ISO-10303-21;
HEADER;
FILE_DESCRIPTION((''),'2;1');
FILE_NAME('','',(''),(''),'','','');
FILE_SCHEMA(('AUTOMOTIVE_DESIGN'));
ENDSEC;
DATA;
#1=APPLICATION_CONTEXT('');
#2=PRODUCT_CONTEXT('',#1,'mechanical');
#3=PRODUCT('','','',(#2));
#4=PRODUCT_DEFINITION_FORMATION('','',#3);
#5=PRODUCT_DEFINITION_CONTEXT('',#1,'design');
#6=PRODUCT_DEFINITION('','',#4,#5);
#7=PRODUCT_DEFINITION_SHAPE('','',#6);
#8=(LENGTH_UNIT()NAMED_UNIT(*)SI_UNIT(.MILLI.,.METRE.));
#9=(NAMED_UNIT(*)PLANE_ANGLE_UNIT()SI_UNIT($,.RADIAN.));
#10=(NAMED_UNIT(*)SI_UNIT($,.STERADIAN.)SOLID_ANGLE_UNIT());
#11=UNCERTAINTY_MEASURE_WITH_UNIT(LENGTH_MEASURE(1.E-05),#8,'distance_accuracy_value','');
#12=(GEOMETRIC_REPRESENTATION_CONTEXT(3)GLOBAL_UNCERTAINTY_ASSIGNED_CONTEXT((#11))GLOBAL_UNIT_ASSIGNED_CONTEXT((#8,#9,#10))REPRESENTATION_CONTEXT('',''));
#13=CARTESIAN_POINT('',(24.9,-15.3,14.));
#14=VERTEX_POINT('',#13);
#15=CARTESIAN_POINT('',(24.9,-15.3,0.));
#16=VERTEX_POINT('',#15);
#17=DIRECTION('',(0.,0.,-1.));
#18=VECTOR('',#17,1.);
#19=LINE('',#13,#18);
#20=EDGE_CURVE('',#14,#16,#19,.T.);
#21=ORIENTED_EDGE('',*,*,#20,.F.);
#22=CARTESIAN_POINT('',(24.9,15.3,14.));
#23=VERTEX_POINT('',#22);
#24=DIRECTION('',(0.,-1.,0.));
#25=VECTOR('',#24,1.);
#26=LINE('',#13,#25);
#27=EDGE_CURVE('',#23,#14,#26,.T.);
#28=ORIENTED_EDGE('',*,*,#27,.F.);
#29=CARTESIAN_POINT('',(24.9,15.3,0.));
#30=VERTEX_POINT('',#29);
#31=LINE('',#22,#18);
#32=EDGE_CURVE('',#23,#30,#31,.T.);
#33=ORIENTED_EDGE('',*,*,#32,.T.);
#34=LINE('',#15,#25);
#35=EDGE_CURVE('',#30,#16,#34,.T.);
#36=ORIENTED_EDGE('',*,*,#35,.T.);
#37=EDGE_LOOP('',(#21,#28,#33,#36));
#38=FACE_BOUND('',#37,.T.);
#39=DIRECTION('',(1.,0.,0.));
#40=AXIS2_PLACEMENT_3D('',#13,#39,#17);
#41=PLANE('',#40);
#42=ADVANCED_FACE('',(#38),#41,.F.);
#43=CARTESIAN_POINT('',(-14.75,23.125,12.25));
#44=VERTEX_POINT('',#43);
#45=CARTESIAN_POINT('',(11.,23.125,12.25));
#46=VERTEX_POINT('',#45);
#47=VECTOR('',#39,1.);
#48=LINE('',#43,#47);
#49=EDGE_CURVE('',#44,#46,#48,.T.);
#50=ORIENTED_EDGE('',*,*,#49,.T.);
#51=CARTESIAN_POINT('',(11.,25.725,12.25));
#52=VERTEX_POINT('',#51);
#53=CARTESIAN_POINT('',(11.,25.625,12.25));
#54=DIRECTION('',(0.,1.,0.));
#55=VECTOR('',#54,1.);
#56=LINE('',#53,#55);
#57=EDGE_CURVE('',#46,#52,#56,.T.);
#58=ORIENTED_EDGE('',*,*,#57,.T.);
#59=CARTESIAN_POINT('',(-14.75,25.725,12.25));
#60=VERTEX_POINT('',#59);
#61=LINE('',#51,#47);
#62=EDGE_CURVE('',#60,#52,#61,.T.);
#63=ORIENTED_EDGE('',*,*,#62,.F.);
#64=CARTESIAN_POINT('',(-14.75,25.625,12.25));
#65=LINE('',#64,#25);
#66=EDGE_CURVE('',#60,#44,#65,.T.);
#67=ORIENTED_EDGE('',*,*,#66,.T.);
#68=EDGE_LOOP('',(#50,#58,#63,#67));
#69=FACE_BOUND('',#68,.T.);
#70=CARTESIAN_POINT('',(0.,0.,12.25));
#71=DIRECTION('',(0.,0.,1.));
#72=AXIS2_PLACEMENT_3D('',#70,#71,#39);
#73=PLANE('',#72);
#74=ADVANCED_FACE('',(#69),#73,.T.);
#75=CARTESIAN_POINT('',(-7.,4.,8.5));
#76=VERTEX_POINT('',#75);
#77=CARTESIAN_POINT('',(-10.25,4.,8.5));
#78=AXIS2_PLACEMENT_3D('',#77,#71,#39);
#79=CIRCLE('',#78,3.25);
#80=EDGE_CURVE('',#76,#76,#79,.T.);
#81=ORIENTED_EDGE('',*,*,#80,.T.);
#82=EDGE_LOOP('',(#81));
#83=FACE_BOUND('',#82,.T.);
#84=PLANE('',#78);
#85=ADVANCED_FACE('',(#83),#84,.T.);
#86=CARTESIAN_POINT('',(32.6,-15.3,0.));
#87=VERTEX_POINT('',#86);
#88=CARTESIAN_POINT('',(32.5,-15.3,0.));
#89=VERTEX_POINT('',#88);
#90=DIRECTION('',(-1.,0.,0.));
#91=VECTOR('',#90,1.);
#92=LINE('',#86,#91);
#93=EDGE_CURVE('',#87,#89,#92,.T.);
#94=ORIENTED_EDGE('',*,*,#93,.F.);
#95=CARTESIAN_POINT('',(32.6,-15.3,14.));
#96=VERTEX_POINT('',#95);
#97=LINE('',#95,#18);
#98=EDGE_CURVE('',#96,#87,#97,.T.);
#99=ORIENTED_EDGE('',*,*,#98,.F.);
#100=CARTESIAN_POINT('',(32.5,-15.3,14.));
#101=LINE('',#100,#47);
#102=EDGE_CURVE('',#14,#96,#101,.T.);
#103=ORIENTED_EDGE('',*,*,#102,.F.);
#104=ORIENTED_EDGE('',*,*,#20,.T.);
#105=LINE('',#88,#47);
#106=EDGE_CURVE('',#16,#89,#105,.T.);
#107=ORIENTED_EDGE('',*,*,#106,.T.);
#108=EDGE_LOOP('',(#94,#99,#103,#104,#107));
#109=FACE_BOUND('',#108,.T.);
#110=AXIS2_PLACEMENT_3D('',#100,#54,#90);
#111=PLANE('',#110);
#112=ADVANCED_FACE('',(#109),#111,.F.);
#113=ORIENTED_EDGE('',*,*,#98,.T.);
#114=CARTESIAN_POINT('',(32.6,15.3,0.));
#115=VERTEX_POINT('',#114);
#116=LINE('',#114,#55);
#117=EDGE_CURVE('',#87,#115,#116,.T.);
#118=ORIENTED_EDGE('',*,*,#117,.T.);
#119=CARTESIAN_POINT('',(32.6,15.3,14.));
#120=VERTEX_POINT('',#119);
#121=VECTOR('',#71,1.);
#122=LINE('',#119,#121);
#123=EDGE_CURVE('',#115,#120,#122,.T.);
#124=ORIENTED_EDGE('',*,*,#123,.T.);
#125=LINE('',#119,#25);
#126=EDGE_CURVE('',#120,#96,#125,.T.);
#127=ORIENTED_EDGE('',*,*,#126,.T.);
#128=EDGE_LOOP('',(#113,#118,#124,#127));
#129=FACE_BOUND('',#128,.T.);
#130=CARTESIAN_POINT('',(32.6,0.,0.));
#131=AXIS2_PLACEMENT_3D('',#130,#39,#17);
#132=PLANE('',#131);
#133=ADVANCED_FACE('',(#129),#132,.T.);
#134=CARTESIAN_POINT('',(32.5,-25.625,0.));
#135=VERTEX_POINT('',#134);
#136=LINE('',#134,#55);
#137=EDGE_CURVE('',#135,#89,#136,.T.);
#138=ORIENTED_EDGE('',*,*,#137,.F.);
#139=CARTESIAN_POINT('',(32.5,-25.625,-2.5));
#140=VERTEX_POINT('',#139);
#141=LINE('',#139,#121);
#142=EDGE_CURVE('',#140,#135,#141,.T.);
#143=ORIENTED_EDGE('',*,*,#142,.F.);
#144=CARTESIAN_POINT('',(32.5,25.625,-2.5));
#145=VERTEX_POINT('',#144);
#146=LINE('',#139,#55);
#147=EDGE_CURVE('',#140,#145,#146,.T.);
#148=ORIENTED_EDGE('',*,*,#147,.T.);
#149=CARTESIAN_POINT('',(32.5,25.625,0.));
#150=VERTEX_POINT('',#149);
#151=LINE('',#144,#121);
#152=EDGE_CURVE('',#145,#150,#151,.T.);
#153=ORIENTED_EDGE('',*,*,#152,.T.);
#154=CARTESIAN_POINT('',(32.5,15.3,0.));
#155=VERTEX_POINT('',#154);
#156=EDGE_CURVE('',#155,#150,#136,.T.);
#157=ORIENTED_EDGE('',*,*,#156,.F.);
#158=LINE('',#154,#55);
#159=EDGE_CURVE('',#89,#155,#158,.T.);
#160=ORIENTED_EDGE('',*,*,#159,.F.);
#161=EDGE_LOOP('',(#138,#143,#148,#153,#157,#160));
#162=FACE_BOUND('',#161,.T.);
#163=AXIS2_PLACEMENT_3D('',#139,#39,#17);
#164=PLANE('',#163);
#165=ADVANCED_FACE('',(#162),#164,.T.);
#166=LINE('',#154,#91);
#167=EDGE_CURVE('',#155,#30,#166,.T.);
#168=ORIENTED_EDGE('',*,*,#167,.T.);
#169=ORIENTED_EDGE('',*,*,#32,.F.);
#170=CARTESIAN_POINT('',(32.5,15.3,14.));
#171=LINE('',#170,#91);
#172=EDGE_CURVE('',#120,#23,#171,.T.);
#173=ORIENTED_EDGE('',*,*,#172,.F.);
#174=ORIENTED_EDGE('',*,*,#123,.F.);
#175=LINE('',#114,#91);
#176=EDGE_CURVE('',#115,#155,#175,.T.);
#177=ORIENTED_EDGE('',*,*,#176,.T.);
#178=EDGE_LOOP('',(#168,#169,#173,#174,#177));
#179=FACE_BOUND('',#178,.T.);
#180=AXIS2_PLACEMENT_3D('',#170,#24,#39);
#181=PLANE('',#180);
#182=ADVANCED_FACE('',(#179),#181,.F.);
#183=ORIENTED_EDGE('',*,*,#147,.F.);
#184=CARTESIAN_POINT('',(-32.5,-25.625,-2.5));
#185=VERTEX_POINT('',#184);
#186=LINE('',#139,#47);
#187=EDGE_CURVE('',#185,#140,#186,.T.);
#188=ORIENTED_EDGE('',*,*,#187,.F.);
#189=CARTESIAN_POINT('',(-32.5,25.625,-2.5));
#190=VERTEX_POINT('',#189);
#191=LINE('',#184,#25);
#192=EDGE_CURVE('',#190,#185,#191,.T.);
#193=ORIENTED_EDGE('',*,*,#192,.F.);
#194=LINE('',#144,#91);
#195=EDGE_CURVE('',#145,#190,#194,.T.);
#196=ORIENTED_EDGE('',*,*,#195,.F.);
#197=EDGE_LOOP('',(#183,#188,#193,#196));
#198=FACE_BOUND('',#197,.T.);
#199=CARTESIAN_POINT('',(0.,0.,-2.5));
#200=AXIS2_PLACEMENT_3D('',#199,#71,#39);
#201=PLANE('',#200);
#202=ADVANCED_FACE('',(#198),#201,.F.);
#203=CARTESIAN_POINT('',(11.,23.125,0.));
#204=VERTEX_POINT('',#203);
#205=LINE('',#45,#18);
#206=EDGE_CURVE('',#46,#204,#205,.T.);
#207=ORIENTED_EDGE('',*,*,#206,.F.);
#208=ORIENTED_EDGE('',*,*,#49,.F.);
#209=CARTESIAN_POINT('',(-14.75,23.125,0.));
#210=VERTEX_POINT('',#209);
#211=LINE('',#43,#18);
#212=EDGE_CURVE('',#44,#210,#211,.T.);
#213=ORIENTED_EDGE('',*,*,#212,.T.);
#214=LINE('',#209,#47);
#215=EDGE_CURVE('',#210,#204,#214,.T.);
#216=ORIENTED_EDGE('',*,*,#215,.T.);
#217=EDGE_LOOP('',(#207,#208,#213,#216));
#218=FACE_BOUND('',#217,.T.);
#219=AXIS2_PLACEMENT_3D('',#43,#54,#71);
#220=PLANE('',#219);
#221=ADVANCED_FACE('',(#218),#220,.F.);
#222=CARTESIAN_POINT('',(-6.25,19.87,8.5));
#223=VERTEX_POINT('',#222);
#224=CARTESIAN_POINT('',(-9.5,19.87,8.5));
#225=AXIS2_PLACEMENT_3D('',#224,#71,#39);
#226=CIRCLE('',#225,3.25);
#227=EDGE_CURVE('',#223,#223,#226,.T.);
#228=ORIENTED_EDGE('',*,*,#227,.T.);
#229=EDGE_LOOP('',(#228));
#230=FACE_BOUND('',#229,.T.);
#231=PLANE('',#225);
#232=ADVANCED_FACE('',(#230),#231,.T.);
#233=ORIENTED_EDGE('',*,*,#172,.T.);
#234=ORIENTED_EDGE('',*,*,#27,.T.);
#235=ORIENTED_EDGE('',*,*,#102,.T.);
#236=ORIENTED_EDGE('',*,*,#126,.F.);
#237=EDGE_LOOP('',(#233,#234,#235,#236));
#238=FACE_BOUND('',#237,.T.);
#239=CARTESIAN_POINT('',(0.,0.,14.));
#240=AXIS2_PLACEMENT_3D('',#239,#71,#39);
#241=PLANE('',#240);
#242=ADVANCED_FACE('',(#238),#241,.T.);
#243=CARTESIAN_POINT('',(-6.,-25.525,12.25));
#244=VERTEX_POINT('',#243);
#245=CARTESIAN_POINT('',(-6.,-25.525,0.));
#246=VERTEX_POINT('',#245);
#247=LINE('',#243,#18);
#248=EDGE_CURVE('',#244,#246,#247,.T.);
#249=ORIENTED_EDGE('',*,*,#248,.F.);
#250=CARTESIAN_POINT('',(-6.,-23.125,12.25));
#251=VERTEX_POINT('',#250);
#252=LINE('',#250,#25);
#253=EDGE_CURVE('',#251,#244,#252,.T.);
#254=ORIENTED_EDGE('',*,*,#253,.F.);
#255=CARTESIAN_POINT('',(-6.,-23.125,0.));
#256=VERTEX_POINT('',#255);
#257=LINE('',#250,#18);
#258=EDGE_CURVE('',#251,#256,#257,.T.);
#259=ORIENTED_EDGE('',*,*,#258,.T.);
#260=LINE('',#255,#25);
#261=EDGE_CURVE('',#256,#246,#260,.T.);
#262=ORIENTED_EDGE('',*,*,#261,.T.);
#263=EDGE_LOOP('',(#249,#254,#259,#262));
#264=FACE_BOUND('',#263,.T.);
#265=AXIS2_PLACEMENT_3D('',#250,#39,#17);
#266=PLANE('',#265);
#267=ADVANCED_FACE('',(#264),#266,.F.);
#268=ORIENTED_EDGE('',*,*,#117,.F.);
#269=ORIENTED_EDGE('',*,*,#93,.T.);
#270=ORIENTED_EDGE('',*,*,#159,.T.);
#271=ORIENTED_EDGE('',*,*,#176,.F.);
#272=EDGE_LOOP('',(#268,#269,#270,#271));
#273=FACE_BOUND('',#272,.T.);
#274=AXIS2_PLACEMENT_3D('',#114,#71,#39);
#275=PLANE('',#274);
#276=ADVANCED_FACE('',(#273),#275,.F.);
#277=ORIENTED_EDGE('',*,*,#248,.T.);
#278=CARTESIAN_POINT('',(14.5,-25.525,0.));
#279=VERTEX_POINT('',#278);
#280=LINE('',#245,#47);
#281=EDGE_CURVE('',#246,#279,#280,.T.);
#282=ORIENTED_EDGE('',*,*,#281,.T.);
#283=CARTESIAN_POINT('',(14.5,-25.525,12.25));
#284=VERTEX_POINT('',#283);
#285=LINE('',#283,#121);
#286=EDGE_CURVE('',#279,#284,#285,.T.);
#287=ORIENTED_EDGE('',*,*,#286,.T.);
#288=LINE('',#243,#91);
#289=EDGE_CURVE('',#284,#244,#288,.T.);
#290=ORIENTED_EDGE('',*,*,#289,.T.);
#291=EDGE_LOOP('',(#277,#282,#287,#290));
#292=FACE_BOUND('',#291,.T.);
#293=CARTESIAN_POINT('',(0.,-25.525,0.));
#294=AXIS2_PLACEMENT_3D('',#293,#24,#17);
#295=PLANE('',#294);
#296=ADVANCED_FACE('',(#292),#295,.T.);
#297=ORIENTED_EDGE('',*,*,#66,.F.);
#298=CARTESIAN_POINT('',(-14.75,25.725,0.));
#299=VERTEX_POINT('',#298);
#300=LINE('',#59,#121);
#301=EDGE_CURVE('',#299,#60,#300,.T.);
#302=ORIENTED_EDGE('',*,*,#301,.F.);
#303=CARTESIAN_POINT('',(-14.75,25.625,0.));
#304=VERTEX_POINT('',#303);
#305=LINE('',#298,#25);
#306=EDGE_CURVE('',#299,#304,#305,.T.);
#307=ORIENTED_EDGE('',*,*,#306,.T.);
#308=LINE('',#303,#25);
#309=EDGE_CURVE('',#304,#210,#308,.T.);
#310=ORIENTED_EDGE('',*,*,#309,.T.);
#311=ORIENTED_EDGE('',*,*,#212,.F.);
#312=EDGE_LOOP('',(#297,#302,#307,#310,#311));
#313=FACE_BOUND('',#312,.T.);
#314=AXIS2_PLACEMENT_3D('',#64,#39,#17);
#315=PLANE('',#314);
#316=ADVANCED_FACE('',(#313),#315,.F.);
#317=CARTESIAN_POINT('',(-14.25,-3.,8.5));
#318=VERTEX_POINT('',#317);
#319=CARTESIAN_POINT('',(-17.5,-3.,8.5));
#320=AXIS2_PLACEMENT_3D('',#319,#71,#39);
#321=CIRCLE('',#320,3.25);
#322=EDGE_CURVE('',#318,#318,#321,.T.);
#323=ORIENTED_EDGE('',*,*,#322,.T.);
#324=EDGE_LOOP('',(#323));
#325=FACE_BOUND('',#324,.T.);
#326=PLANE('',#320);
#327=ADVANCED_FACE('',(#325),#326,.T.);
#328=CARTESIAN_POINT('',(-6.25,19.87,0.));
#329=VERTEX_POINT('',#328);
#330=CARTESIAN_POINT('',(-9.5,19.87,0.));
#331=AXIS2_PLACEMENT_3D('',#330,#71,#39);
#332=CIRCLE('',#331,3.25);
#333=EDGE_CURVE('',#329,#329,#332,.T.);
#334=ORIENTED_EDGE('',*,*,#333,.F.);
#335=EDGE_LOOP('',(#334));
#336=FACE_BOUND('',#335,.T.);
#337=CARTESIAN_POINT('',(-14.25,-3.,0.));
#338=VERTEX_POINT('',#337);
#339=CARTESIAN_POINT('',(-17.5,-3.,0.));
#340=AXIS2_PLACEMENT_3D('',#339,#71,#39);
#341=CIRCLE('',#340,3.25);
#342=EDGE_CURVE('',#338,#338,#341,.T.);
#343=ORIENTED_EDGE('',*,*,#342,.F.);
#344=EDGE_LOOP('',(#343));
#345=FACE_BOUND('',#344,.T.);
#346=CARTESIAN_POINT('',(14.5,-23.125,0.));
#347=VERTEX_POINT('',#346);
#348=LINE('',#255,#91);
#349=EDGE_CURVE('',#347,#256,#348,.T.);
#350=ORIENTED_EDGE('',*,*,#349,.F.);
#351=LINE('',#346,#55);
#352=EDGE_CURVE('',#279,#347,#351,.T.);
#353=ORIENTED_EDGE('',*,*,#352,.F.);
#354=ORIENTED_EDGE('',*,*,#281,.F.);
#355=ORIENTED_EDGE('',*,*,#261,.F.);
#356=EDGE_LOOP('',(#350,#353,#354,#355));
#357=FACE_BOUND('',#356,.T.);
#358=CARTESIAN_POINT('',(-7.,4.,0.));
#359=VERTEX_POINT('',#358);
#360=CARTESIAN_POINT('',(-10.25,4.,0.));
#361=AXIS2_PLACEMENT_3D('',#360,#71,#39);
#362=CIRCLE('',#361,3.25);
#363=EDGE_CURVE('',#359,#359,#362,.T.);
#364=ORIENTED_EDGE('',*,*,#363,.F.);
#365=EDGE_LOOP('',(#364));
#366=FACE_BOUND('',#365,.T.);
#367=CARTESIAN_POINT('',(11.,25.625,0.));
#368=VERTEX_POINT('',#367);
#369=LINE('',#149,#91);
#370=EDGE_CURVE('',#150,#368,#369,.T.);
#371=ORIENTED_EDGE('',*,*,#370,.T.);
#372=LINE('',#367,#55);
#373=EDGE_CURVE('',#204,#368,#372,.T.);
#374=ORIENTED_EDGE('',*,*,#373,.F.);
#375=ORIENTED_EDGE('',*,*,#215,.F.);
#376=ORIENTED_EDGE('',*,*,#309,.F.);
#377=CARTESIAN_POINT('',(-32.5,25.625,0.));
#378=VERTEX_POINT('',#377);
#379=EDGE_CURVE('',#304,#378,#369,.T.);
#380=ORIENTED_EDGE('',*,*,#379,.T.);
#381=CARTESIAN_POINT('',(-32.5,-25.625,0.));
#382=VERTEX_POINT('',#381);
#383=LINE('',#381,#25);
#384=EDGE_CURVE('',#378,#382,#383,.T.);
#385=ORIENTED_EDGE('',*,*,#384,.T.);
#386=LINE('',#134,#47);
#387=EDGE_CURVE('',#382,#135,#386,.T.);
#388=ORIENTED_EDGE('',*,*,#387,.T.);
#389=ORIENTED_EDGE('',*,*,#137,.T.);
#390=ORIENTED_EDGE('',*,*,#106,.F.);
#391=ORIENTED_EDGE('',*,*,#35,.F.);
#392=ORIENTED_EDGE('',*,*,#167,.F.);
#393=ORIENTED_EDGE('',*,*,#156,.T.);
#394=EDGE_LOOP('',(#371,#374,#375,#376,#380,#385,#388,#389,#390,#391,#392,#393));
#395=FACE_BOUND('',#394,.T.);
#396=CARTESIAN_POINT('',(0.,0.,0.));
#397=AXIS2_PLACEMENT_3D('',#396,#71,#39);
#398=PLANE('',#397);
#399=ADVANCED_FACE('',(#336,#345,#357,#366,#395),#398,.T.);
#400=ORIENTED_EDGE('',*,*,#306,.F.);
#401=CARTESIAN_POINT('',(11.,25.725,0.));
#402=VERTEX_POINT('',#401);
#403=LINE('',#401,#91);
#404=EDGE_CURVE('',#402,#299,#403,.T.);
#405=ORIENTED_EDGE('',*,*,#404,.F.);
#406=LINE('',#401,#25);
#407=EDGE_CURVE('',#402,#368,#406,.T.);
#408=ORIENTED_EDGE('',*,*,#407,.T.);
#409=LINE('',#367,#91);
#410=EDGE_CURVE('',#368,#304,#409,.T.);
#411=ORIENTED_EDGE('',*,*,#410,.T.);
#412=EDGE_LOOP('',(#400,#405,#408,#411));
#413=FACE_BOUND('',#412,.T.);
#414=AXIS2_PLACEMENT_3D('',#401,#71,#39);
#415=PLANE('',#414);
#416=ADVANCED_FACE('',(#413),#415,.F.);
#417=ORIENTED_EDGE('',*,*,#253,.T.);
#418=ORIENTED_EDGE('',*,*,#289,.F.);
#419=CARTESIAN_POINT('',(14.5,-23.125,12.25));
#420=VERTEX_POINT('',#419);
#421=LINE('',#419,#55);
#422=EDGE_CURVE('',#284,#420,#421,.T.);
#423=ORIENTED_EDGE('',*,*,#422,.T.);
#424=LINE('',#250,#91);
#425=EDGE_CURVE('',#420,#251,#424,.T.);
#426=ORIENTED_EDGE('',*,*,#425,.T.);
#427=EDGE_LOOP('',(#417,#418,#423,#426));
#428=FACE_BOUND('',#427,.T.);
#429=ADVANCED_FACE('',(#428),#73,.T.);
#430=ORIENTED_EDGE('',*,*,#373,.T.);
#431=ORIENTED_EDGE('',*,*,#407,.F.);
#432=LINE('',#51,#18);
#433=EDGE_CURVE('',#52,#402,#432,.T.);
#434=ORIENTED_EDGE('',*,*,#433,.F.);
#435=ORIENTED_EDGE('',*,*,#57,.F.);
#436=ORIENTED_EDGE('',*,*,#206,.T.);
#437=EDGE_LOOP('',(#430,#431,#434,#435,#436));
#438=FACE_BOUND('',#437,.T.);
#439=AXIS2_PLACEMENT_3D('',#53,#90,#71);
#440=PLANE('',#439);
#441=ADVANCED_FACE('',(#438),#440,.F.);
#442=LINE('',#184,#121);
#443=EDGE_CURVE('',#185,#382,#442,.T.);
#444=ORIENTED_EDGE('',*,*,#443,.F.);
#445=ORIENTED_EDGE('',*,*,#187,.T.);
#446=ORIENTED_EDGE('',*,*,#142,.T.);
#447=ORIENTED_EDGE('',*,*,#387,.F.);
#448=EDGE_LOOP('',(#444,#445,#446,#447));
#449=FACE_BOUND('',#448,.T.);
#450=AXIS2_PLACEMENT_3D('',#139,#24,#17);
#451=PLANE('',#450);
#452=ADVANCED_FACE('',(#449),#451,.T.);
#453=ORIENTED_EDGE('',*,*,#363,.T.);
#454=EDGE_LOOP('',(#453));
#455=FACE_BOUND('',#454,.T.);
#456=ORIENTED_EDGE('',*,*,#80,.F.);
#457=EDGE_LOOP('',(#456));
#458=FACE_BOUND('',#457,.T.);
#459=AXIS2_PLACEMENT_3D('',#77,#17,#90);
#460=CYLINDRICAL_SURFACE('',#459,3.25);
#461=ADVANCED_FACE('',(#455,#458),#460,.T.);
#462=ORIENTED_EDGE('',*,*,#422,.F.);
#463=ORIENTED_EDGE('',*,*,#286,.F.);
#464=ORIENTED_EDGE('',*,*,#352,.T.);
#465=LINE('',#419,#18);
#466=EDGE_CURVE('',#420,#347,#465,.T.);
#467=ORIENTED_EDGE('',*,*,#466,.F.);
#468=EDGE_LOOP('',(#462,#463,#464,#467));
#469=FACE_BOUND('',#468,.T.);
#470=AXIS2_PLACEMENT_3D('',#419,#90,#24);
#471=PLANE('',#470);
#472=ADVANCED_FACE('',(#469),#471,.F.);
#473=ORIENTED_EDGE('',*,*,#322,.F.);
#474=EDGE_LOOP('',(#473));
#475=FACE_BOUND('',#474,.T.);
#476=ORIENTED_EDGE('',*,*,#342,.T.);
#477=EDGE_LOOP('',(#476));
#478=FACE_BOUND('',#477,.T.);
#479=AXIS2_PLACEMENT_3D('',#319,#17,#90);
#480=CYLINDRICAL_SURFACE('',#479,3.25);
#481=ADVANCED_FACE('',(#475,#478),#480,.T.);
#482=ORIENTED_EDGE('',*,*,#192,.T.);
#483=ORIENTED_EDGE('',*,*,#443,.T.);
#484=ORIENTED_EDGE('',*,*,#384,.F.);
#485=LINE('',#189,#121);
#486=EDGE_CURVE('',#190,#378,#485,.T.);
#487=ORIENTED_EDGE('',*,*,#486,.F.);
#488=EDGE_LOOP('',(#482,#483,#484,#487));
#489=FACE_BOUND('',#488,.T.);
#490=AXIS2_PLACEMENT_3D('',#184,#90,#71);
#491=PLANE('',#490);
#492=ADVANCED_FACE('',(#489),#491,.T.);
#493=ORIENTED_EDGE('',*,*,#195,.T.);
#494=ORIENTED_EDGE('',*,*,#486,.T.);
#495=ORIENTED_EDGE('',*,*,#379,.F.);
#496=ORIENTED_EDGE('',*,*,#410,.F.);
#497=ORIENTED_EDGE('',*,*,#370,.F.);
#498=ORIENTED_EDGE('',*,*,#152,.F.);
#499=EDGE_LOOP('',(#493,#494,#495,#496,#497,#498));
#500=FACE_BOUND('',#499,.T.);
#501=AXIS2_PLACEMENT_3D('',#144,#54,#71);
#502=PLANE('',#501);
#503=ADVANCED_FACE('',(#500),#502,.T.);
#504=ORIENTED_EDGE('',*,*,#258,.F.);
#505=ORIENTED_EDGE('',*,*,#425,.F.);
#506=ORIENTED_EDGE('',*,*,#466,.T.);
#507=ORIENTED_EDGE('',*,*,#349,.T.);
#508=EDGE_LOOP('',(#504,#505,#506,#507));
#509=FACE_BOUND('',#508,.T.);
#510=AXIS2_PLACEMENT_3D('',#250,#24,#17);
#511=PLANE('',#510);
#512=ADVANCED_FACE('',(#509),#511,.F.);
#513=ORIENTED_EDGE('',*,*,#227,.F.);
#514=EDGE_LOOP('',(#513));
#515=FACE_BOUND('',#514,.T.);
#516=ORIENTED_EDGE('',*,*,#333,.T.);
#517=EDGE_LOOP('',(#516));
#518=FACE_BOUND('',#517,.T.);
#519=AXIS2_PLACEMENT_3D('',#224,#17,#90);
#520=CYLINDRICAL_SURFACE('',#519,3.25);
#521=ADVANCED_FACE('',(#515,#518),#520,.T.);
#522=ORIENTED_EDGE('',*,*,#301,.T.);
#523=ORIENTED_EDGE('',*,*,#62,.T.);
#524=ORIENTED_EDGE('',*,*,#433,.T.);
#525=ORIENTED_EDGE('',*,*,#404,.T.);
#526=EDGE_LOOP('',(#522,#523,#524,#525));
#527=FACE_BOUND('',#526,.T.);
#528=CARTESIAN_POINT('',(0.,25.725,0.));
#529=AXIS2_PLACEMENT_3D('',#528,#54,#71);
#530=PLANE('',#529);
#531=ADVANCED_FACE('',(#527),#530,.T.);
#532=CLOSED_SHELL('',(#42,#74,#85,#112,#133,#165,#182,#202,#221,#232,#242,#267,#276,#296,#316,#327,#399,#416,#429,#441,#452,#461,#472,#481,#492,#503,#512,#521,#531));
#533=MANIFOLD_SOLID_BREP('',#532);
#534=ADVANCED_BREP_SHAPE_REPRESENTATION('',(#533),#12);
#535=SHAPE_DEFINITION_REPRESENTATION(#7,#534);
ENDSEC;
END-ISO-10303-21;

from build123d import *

# Parameters (mm, degrees)
SKETCH1_R            = 3.25
BOSS_EXTRUDE1_DEPTH  = 8.5
SKETCH3_W            = 65
SKETCH3_H            = 51.25
BOSS_EXTRUDE2_DEPTH  = 2.5
SKETCH4_W            = 7.6
SKETCH4_H            = 30.6
BOSS_EXTRUDE3_DEPTH  = 14
SKETCH5_R            = 3.25
BOSS_EXTRUDE4_DEPTH  = 8.5
SKETCH6_W            = 25.75
SKETCH6_H            = 2.5
BOSS_EXTRUDE5_DEPTH  = 12.25
SKETCH8_R            = 3.25
BOSS_EXTRUDE9_DEPTH  = 8.5
SKETCH9_W            = 20.5
SKETCH9_H            = 2.5
BOSS_EXTRUDE10_DEPTH = 12.25
SKETCH10_W           = 20.5
SKETCH10_H           = 12.25
CUT_EXTRUDE1_DEPTH   = 0.1
SKETCH12_W           = 25.75
SKETCH12_H           = 12.25
BOSS_EXTRUDE11_DEPTH = 0.1
SKETCH14_W           = 14
SKETCH14_H           = 30.6
BOSS_EXTRUDE12_DEPTH = 0.1


with BuildPart() as part:
    # Sketch1 → Boss-Extrude1 (new body)
    with BuildSketch(Plane.XY):
        with Locations((-17.5, -3)):
            Circle(SKETCH1_R)
    extrude(amount=BOSS_EXTRUDE1_DEPTH)

    # Sketch3 → Boss-Extrude2 (add)
    with BuildSketch(Plane.XY):
        Rectangle(SKETCH3_W, SKETCH3_H)
    extrude(amount=-BOSS_EXTRUDE2_DEPTH)

    # Sketch4 → Boss-Extrude3 (add)
    with BuildSketch(Plane.XY):
        with Locations((28.7, 0)):
            Rectangle(SKETCH4_W, SKETCH4_H)
    extrude(amount=BOSS_EXTRUDE3_DEPTH)

    # Sketch5 → Boss-Extrude4 (add)
    with BuildSketch(Plane.XY):
        with Locations((-10.25, 4)):
            Circle(SKETCH5_R)
    extrude(amount=BOSS_EXTRUDE4_DEPTH)

    # Sketch6 → Boss-Extrude5 (add)
    with BuildSketch(Plane.XY):
        with Locations((-1.875, 24.375)):
            Rectangle(SKETCH6_W, SKETCH6_H)
    extrude(amount=BOSS_EXTRUDE5_DEPTH)

    # Sketch8 → Boss-Extrude9 (add)
    with BuildSketch(Plane.XY):
        with Locations((-9.5, 19.87)):
            Circle(SKETCH8_R)
    extrude(amount=BOSS_EXTRUDE9_DEPTH)

    # Sketch9 → Boss-Extrude10 (add)
    with BuildSketch(Plane.XY):
        with Locations((4.25, -24.375)):
            Rectangle(SKETCH9_W, SKETCH9_H)
    extrude(amount=BOSS_EXTRUDE10_DEPTH)

    # Sketch10 → Cut-Extrude1 (cut)
    with BuildSketch(Plane.XZ.offset(25.625)):
        with Locations((4.25, 6.125)):
            Rectangle(SKETCH10_W, SKETCH10_H)
    extrude(amount=-CUT_EXTRUDE1_DEPTH, mode=Mode.SUBTRACT)

    # Sketch12 → Boss-Extrude11 (add)
    with BuildSketch(Plane(origin=(0, 25.625, 0), x_dir=(1, 0, 0), z_dir=(0, 1, 0))):
        with Locations((-1.875, -6.125)):
            Rectangle(SKETCH12_W, SKETCH12_H)
    extrude(amount=BOSS_EXTRUDE11_DEPTH)

    # Sketch14 → Boss-Extrude12 (add)
    with BuildSketch(Plane(origin=(32.5, 0, 0), x_dir=(0, 0, -1), z_dir=(1, 0, 0))):
        with Locations((-7, 0)):
            Rectangle(SKETCH14_W, SKETCH14_H)
    extrude(amount=BOSS_EXTRUDE12_DEPTH)


solid = part.part
